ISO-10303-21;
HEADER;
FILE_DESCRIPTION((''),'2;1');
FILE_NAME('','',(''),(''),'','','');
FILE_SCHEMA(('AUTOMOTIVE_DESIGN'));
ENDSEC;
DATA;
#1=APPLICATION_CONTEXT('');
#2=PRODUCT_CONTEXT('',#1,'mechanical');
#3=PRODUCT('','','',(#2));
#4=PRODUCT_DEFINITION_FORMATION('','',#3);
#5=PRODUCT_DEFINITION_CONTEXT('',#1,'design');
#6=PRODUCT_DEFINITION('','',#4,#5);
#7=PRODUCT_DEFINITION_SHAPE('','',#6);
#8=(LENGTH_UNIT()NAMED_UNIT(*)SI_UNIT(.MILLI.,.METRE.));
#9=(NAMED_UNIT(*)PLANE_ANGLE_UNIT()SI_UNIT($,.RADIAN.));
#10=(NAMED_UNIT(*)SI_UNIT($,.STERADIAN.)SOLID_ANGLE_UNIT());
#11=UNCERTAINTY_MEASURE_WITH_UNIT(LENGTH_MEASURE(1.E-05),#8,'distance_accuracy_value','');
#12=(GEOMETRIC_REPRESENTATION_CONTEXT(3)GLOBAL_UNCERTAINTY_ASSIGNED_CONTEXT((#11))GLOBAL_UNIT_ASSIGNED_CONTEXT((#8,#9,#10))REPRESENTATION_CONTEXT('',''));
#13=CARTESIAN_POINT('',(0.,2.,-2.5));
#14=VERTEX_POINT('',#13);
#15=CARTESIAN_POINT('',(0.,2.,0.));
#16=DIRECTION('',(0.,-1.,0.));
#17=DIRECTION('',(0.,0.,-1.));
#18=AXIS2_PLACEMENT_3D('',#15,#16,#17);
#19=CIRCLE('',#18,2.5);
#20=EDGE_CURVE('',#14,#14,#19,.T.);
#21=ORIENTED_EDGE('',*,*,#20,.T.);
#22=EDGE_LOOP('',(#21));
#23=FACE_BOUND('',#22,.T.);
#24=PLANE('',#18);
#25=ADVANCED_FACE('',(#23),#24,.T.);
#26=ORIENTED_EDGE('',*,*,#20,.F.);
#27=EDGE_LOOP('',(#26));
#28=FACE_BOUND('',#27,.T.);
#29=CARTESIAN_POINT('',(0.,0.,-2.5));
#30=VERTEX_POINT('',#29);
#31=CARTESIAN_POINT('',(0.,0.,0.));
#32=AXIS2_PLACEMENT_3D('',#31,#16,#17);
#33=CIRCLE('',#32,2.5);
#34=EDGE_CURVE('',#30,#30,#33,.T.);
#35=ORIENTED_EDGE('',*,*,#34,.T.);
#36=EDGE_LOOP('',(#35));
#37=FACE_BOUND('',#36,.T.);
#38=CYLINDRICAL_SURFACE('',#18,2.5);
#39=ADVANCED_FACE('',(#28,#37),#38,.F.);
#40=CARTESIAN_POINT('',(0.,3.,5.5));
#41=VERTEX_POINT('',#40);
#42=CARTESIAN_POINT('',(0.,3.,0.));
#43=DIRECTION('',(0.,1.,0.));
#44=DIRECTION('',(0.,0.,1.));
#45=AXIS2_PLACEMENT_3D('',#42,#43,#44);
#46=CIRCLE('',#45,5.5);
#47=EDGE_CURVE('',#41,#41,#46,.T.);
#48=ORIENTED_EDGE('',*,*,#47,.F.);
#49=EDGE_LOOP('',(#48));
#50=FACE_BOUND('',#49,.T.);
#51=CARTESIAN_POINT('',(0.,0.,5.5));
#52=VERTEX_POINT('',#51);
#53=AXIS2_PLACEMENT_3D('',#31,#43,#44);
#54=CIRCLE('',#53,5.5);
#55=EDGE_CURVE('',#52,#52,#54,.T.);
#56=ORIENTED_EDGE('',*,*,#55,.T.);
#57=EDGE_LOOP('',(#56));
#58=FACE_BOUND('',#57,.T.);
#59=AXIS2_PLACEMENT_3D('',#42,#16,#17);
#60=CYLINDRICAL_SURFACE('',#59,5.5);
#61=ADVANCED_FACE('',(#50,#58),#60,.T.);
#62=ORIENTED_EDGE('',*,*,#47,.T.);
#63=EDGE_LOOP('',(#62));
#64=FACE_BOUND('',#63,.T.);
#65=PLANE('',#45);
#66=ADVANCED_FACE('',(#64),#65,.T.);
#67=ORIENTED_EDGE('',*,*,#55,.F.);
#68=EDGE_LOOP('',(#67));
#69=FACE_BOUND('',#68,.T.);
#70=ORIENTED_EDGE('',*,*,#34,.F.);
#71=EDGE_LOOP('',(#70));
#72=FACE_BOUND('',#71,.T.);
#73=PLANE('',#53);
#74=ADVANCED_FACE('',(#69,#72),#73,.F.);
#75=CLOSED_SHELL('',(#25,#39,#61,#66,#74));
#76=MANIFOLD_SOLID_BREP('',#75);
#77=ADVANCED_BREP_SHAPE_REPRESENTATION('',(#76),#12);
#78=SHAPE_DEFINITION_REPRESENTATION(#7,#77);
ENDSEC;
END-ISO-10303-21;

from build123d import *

# Parameters (mm, degrees)
SKETCH_1_R          = 5.5
EXTRUDE_1_DEPTH     = 3
SKETCH_2_R          = 2.5
CUT_EXTRUDE_1_DEPTH = 2


with BuildPart() as part:
    # 草图1 → 凸台-拉伸1 (new body)
    with BuildSketch(Plane(origin=(0, 0, 0), x_dir=(1, 0, 0), z_dir=(0, 1, 0))):
        with Locations(Location((0, 0, 0), (0, 0, 270))):
            Circle(SKETCH_1_R)
    extrude(amount=EXTRUDE_1_DEPTH)

    # 草图2 → 切除-拉伸1 (cut)
    with BuildSketch(Plane.XZ):
        with Locations(Location((0, 0, 0), (0, 0, 270))):
            Circle(SKETCH_2_R)
    extrude(amount=-CUT_EXTRUDE_1_DEPTH, mode=Mode.SUBTRACT)


solid = part.part
